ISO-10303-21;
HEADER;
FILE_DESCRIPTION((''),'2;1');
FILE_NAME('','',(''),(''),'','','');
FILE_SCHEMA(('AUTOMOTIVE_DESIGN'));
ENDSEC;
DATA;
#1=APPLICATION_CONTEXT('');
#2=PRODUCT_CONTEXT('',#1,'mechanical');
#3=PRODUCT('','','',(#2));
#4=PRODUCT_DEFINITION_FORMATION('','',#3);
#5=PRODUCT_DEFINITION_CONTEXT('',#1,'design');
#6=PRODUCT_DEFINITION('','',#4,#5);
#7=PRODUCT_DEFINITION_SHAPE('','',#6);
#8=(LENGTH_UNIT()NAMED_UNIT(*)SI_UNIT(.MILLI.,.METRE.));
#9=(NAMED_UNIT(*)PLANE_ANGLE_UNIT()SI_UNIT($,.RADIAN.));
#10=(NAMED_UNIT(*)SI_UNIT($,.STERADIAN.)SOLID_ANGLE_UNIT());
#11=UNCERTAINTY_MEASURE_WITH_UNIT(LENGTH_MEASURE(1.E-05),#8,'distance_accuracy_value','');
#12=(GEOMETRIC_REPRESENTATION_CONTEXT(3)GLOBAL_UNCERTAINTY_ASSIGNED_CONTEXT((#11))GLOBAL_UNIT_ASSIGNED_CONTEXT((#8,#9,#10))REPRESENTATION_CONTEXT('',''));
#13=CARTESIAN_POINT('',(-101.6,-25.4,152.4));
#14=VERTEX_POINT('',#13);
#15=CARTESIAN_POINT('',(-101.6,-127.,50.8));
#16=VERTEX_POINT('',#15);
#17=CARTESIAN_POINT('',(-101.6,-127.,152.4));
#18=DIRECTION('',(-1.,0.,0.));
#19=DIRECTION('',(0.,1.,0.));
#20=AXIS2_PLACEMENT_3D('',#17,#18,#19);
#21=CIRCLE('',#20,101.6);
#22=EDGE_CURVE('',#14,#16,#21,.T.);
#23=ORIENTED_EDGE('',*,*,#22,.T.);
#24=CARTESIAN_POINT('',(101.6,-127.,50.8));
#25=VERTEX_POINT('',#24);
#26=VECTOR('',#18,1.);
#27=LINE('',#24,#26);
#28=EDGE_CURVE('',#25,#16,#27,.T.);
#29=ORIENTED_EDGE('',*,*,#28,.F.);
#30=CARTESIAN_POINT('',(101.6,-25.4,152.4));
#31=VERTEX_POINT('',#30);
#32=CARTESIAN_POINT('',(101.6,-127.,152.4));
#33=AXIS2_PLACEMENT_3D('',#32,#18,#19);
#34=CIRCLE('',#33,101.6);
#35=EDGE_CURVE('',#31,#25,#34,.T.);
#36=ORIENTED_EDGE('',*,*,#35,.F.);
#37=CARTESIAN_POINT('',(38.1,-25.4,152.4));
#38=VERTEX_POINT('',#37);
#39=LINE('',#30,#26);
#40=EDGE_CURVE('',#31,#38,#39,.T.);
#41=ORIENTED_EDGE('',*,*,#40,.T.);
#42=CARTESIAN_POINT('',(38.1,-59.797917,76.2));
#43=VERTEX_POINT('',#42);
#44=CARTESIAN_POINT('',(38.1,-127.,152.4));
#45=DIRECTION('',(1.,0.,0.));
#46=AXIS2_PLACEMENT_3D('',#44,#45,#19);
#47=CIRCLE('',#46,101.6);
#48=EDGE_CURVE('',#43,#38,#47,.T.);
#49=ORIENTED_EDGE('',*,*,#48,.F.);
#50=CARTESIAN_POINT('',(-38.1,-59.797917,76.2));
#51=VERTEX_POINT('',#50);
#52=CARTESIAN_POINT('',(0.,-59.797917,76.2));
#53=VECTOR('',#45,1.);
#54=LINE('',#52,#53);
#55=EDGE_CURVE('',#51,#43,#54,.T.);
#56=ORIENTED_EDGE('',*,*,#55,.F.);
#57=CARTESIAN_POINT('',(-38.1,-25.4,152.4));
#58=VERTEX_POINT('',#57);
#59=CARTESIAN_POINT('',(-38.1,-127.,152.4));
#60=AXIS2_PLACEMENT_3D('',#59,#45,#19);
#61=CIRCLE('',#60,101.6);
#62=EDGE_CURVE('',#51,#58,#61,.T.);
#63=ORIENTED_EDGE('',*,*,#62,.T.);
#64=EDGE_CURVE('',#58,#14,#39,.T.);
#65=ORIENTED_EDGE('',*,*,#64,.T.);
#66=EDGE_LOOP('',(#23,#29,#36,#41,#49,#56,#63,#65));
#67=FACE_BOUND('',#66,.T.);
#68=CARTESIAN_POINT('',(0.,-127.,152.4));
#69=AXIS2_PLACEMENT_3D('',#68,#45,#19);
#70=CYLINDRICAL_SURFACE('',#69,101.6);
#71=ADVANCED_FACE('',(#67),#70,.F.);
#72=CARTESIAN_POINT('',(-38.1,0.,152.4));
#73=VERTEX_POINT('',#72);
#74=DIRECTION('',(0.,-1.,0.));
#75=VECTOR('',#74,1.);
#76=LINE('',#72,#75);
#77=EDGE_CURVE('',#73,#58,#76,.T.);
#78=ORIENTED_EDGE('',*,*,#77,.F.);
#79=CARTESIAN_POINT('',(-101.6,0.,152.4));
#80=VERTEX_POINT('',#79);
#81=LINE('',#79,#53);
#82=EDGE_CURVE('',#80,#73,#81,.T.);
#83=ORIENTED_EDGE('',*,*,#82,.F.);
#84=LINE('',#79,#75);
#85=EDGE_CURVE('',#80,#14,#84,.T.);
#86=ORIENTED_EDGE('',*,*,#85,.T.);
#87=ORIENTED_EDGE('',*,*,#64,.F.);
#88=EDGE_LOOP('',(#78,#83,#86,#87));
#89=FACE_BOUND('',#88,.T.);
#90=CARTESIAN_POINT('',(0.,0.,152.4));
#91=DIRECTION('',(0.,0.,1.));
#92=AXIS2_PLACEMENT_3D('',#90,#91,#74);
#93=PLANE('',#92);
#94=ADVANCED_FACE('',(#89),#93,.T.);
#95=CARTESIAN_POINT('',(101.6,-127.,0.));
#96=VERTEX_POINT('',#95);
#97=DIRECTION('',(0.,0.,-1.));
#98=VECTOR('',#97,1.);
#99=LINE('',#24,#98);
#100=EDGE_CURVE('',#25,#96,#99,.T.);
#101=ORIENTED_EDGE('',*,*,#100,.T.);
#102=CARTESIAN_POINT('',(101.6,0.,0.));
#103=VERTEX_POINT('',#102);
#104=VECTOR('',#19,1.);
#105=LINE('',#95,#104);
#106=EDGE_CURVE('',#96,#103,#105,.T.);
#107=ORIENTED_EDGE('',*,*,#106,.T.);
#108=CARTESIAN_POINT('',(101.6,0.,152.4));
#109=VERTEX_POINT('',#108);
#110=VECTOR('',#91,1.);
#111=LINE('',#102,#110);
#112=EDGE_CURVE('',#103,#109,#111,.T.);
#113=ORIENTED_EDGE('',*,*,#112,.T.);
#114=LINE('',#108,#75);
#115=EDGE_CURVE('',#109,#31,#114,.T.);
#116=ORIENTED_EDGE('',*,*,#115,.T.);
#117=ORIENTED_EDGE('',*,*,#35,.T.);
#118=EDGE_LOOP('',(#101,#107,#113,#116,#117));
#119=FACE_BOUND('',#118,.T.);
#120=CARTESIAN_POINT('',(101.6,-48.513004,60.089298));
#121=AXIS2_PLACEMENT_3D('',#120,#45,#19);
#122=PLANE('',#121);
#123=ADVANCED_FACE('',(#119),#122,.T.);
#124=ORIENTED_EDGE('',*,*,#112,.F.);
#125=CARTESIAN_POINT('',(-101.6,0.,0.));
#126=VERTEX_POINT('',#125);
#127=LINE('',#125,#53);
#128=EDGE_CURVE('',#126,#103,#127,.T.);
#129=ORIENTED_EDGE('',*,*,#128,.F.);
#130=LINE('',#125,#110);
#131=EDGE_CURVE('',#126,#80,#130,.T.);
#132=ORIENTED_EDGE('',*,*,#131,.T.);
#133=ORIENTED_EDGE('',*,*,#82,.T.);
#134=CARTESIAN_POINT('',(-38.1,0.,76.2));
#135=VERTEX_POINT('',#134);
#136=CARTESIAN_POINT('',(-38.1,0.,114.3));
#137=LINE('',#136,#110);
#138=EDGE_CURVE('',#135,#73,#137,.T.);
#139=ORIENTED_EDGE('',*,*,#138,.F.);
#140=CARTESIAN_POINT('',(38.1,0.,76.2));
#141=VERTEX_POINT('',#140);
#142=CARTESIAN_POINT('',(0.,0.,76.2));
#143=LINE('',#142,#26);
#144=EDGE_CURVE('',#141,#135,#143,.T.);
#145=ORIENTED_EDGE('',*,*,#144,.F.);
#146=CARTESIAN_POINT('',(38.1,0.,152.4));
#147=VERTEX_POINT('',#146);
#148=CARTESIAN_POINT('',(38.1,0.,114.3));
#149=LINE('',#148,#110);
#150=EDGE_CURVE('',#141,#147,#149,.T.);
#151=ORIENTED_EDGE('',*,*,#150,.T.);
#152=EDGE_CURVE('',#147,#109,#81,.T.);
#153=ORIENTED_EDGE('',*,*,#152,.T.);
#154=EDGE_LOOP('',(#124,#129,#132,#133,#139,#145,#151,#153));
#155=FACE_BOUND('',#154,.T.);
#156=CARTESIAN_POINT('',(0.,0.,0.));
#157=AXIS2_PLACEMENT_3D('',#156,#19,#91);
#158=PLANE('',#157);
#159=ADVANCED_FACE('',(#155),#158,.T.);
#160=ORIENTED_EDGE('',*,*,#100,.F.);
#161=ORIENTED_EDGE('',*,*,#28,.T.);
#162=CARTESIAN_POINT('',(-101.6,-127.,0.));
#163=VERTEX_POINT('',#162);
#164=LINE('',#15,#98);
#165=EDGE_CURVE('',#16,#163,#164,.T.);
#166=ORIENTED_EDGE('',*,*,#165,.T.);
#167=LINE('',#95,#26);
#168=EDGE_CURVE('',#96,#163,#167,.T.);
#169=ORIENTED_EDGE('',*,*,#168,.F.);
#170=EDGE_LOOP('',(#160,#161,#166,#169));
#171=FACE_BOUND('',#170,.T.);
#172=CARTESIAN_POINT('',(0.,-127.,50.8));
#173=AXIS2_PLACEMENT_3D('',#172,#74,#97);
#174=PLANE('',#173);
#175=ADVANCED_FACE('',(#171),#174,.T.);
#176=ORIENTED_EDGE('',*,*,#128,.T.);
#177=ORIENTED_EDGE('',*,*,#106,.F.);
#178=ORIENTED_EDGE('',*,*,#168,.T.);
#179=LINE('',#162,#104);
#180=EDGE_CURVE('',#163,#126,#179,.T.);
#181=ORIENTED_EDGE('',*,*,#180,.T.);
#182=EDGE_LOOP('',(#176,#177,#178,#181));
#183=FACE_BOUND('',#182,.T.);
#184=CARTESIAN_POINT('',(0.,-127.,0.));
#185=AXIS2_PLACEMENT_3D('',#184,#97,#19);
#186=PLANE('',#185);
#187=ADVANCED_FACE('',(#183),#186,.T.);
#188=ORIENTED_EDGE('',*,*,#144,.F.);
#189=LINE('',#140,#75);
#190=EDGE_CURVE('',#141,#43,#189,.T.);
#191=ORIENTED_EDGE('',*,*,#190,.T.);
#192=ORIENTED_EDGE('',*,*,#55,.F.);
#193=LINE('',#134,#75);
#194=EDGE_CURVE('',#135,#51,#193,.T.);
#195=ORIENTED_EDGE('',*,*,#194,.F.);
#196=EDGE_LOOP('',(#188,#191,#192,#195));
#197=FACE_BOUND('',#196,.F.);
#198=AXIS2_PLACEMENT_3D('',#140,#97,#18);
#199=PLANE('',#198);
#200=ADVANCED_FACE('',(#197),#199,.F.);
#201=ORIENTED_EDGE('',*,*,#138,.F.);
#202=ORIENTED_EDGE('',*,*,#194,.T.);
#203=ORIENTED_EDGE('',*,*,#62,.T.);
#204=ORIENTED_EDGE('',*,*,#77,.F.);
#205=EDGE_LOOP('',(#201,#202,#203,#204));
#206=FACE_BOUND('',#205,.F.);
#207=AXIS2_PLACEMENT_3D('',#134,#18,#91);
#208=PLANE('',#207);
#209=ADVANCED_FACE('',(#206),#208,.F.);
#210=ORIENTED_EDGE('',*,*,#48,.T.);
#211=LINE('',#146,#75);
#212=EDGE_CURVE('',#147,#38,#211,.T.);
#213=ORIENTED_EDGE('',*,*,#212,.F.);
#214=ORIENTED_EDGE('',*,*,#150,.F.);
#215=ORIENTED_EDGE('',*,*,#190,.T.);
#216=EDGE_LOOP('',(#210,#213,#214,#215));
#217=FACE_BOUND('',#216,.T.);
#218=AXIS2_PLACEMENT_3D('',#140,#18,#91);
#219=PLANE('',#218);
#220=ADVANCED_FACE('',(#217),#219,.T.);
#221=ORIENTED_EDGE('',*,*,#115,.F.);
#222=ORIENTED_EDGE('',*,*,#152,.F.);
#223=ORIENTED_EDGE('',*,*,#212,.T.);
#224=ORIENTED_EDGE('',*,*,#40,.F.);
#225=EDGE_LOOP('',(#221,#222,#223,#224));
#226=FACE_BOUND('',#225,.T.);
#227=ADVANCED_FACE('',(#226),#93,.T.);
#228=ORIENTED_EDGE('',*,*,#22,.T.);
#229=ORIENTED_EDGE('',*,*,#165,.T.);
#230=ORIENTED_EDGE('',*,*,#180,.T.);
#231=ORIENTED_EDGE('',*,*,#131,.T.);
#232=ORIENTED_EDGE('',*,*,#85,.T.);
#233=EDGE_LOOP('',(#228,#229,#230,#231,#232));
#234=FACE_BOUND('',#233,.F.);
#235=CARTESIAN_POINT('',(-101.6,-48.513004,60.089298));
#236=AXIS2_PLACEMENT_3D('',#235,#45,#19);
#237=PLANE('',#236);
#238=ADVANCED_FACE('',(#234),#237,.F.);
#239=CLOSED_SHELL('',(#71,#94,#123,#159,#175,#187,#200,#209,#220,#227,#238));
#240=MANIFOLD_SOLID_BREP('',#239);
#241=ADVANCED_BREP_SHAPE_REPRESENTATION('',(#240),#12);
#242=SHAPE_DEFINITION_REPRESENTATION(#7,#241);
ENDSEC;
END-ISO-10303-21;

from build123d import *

# Parameters (mm, degrees)
F1_DEPTH = 101.6
F2_W     = 76.2
F2_H     = 76.2
F3_DEPTH = 60.797916699


with BuildPart() as f1:
    # F0 (on Right) → F1 (new body, symmetric)
    with BuildSketch(Plane.YZ):
        with BuildLine():
            Line((-127, 0), (0, 0))
            Line((0, 0), (0, 152.4))
            Line((0, 152.4), (-25.4, 152.4))
            ThreePointArc((-25.4, 152.4), (-55.1579510314, 80.5579510314), (-127, 50.8))
            Line((-127, 50.8), (-127, 0))
        make_face()
    extrude(amount=F1_DEPTH, both=True)

    # F2 (on face) → F3 (cut, up to face)
    with BuildSketch(Plane(origin=(0, 0, 0), x_dir=(-1, 0, 0), z_dir=(0, 1, 0))):
        with Locations((0, 114.3)):
            Rectangle(F2_W, F2_H)
    extrude(amount=-F3_DEPTH, mode=Mode.SUBTRACT)


solid = f1.part
